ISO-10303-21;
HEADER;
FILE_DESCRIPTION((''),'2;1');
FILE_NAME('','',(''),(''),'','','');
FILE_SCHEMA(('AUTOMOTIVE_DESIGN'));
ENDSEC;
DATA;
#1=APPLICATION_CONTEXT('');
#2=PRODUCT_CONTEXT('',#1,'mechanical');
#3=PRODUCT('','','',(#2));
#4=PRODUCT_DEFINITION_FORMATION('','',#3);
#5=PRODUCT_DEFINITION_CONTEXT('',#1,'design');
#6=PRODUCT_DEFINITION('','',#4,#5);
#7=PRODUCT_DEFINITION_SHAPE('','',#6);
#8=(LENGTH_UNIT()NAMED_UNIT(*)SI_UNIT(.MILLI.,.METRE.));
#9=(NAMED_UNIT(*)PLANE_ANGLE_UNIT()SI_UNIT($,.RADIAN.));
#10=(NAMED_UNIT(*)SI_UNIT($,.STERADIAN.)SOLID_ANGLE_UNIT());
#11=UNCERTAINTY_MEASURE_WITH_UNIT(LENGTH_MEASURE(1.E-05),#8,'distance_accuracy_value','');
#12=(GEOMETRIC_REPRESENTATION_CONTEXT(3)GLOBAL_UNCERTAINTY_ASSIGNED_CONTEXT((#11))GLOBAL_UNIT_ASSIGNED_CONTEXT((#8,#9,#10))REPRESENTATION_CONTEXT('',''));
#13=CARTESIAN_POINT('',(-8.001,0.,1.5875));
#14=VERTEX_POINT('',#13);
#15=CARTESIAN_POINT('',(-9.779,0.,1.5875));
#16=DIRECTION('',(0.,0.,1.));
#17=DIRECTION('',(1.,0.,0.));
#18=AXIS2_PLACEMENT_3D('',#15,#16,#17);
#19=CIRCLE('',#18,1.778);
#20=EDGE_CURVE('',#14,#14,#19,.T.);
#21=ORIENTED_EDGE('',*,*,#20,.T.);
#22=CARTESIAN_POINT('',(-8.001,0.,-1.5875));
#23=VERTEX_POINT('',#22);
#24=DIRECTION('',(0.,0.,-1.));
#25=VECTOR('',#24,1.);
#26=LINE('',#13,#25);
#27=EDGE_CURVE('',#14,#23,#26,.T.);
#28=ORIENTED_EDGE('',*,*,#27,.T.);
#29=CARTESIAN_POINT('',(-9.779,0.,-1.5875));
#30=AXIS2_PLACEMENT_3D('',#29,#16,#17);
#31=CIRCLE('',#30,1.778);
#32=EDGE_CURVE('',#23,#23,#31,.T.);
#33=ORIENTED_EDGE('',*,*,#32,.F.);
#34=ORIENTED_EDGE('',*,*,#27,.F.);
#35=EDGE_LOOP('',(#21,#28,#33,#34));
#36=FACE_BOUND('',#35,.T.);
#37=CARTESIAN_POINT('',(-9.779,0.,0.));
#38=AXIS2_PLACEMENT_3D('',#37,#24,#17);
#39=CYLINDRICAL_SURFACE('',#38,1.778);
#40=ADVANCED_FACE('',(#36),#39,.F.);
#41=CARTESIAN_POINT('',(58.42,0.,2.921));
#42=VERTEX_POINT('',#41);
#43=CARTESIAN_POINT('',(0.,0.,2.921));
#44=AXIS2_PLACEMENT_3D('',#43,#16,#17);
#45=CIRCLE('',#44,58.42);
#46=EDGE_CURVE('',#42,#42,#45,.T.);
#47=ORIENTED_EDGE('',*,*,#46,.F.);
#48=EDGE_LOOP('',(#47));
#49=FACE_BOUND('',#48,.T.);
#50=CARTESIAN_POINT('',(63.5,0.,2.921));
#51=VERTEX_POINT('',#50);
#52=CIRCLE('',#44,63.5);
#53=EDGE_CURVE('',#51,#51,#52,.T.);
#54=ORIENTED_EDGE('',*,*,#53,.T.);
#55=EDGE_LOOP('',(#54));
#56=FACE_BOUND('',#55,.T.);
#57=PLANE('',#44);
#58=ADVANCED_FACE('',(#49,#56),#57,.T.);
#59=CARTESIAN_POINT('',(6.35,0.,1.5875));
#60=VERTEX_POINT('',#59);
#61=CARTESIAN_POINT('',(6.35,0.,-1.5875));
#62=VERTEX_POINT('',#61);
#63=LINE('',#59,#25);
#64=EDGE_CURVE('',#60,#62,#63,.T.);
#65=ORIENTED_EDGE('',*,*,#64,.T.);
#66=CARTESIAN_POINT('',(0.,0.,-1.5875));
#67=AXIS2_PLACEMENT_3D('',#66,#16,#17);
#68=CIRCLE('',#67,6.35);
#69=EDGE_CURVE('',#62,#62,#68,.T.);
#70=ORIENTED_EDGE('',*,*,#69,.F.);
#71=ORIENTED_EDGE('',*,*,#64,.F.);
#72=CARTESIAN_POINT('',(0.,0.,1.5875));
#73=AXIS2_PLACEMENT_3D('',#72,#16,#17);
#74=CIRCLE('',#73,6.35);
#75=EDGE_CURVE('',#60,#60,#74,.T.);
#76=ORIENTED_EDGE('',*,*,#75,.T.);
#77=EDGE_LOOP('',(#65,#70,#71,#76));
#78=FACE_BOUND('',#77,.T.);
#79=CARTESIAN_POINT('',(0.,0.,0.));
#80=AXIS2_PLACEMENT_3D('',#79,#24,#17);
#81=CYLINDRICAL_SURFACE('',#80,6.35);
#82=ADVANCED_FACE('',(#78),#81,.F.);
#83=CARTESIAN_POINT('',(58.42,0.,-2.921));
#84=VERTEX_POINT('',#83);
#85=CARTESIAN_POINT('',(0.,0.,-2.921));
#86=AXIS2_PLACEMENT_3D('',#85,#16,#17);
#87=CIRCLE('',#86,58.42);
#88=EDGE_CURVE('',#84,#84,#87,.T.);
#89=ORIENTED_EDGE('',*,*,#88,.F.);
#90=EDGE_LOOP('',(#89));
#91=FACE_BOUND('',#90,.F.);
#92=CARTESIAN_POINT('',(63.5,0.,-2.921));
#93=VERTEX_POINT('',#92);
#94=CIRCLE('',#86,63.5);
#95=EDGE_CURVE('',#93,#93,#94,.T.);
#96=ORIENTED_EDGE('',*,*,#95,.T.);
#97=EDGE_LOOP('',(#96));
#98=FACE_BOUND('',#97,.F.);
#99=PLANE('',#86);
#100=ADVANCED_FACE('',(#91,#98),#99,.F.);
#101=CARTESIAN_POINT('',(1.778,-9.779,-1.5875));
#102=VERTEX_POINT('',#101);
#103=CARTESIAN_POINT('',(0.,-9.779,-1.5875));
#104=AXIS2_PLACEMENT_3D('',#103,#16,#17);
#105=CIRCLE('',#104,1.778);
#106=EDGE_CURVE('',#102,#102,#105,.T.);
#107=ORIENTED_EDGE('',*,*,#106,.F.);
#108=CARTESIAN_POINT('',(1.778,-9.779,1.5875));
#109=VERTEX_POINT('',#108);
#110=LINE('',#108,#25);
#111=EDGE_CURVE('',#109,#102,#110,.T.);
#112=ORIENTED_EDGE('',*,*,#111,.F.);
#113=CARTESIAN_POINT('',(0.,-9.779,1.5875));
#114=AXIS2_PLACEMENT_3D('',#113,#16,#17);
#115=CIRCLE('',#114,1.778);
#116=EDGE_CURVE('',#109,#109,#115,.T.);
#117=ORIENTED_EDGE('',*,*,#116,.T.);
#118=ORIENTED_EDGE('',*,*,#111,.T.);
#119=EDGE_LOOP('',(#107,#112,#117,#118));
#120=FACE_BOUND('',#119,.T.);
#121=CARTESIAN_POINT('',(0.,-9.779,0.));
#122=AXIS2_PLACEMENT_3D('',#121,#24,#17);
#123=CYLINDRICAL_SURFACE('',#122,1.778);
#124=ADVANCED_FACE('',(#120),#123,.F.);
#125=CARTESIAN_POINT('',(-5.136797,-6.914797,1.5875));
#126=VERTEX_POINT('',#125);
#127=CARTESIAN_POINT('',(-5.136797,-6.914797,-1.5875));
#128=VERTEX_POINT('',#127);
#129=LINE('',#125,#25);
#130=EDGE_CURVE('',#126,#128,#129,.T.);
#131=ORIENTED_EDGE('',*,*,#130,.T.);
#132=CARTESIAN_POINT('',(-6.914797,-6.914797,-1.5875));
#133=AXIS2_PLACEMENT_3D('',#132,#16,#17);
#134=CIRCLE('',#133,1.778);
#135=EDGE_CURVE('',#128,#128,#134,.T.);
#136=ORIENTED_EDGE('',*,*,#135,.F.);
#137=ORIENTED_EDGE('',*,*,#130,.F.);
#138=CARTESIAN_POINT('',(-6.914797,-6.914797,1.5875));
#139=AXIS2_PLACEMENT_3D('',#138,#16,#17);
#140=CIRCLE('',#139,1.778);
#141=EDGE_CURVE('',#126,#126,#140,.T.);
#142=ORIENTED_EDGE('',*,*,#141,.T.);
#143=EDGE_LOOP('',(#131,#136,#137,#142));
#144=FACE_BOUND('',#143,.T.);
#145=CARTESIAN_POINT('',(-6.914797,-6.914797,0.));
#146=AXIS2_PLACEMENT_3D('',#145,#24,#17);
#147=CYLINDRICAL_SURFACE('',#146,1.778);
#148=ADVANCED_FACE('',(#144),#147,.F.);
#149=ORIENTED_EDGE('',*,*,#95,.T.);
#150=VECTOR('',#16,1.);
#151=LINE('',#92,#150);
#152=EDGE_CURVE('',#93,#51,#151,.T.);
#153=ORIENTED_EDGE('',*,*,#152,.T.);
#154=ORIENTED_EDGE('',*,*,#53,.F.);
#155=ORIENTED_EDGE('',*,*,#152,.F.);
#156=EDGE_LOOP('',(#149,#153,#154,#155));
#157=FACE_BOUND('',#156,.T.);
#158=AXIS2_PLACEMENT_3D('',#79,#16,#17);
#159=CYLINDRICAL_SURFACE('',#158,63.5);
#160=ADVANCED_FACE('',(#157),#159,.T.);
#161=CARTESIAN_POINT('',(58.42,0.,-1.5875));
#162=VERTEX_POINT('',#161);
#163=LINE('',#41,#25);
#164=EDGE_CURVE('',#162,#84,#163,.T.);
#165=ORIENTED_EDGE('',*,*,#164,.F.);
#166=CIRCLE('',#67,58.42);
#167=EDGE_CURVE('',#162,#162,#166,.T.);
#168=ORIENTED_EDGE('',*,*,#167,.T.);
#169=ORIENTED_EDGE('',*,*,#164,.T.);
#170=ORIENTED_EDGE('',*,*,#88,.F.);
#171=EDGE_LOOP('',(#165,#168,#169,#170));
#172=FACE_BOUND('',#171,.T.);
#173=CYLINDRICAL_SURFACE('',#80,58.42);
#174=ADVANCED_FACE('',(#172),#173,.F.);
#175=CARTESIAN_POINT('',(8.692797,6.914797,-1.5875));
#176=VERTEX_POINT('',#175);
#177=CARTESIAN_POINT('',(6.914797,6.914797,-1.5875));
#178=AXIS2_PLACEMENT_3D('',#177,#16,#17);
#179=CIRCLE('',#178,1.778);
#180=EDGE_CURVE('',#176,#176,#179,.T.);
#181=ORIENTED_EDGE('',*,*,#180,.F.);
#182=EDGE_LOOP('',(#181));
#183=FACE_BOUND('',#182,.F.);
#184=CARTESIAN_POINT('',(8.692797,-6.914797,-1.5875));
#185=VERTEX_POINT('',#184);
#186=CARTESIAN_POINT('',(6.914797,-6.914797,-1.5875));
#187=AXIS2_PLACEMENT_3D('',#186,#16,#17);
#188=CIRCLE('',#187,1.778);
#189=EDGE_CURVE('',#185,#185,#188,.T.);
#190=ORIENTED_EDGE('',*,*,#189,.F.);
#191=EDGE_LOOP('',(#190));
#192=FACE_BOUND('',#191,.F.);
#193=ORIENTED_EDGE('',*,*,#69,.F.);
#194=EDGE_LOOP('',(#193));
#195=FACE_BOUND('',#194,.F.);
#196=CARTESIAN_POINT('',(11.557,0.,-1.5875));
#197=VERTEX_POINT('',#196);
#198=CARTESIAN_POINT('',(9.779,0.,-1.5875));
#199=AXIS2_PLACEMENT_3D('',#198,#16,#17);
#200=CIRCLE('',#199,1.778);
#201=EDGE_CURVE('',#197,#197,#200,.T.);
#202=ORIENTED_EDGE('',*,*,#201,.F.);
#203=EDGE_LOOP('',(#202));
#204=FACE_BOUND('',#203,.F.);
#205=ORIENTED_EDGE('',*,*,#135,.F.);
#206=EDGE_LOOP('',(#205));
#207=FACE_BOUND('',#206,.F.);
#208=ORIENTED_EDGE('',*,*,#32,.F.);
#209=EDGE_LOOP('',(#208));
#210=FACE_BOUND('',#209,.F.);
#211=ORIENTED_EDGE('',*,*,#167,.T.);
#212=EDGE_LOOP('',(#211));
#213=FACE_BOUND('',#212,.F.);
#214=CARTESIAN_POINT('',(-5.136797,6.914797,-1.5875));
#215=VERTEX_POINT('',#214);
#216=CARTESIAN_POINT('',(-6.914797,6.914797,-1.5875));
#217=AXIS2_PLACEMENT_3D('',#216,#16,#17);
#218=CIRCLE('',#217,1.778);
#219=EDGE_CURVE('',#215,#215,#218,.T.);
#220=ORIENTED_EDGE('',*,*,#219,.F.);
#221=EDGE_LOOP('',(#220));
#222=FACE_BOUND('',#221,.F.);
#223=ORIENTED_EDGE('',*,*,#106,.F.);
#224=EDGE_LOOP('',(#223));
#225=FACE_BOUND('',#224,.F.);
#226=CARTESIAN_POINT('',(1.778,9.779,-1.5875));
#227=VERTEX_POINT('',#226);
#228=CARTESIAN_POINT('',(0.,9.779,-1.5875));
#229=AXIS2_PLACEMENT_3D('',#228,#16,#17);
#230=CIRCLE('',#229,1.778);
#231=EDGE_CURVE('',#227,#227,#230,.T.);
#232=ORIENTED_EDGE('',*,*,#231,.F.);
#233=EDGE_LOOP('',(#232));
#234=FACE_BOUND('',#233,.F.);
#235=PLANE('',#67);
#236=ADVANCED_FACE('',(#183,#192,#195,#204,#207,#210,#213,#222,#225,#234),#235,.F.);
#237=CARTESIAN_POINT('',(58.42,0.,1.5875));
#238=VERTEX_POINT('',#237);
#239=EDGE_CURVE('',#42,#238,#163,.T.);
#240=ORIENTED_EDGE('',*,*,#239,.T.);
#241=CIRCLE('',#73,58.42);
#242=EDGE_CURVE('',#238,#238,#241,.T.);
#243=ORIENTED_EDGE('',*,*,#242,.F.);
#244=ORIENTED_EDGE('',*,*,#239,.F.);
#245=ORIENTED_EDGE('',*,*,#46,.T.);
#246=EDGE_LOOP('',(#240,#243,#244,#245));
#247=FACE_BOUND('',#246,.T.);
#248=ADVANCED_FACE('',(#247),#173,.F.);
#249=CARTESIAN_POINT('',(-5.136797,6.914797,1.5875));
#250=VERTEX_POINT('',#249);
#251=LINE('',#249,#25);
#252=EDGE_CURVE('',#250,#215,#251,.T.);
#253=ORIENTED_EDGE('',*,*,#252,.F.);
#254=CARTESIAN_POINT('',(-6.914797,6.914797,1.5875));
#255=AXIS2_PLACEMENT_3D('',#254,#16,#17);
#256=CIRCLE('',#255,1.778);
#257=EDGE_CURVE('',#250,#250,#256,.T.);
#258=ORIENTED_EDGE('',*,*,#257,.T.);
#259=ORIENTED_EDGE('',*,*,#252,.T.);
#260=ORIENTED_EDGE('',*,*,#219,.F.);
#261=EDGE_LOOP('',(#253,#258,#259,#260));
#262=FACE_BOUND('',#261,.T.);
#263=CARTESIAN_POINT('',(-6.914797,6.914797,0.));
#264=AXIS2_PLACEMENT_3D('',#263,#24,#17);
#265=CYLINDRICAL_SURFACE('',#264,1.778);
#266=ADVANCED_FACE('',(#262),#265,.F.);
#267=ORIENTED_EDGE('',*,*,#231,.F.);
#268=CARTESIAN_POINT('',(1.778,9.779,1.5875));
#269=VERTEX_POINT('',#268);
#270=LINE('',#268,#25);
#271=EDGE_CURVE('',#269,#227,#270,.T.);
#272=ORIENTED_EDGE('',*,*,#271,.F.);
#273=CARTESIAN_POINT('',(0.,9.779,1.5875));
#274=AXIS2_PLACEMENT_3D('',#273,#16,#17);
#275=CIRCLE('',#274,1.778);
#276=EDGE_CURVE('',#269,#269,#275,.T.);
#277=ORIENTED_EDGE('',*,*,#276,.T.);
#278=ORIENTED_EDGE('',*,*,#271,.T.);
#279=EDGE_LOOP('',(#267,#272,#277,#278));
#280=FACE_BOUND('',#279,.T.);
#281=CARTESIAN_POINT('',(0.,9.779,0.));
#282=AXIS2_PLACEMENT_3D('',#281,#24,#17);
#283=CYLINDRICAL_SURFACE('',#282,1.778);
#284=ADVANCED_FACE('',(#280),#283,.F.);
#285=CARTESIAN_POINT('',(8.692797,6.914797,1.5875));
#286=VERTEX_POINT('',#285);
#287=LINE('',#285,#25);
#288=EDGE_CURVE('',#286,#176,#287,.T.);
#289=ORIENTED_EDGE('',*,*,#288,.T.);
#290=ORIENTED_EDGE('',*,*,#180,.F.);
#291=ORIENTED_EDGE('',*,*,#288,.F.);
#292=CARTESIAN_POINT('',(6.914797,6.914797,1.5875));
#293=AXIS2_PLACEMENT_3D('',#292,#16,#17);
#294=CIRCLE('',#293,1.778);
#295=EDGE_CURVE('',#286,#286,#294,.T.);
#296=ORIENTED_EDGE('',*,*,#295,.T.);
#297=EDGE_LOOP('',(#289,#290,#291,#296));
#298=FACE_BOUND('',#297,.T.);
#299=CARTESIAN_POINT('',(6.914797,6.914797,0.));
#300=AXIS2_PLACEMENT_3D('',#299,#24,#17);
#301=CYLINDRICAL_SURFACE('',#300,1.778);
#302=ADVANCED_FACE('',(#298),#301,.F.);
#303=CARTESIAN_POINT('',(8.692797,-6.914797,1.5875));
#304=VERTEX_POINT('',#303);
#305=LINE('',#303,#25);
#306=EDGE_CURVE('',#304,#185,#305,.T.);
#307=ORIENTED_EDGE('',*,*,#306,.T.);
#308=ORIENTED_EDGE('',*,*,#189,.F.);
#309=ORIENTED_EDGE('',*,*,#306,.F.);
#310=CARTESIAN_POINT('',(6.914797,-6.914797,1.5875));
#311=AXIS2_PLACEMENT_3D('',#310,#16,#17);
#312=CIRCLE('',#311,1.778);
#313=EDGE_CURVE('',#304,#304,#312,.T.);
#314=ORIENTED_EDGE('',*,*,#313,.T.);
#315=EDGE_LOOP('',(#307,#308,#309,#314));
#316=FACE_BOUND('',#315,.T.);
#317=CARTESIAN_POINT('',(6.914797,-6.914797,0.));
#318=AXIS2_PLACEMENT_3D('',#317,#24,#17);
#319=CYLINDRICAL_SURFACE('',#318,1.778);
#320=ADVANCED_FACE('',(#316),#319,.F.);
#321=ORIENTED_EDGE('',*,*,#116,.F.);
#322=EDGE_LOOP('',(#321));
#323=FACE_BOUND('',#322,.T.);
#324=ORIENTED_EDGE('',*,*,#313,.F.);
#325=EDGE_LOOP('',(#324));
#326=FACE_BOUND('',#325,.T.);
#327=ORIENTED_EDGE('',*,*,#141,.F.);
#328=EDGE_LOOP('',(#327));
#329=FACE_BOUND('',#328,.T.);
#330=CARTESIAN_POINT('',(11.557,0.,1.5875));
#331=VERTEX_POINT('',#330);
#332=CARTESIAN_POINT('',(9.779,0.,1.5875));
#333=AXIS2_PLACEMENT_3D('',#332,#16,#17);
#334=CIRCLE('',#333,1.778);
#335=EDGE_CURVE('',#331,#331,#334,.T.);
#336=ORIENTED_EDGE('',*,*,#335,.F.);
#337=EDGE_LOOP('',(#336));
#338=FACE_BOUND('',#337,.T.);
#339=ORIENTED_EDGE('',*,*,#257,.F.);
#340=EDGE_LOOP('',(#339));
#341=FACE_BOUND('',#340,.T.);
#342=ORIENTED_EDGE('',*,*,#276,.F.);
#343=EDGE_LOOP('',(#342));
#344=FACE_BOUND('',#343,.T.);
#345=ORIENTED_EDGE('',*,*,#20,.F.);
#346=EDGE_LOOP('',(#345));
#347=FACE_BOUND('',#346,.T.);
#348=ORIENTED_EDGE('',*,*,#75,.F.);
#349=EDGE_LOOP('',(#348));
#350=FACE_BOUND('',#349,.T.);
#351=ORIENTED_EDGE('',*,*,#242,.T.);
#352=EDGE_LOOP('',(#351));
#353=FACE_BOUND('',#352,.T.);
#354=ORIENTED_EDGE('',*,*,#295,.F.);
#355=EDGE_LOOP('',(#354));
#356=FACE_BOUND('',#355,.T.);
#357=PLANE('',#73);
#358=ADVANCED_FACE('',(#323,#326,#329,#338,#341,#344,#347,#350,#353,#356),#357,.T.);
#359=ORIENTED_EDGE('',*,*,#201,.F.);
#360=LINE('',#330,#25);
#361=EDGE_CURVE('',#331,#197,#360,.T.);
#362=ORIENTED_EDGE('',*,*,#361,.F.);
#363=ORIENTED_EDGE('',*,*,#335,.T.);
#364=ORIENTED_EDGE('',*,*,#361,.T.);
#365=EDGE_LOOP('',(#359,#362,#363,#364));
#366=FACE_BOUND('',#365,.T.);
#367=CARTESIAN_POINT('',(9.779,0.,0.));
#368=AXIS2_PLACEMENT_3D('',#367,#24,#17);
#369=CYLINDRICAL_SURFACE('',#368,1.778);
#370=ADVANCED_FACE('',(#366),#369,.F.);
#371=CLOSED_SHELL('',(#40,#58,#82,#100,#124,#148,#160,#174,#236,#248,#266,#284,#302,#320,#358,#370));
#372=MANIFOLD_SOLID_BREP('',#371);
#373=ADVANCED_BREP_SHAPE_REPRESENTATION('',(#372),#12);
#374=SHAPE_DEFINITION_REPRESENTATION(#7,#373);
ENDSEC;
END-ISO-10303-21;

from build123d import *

# Parameters (mm, degrees)
SKETCH1_R           = 63.5
SKETCH1_R_2         = 58.42
BOSS_EXTRUDE1_DEPTH = 2.921
SKETCH3_R           = 58.42
SKETCH3_R_2         = 6.35
SKETCH3_R_3         = 1.778
BOSS_EXTRUDE2_DEPTH = 1.5875


with BuildPart() as part:
    # Sketch1 → Boss-Extrude1 (new body, symmetric)
    with BuildSketch(Plane.XY):
        Circle(SKETCH1_R)
        Circle(SKETCH1_R_2, mode=Mode.SUBTRACT)
    extrude(amount=BOSS_EXTRUDE1_DEPTH, both=True)

    # Sketch3 → Boss-Extrude2 (add, symmetric)
    with BuildSketch(Plane.XY):
        Circle(SKETCH3_R)
        Circle(SKETCH3_R_2, mode=Mode.SUBTRACT)
        with Locations((0, 9.779)):
            Circle(SKETCH3_R_3, mode=Mode.SUBTRACT)
        with Locations((6.914797213, 6.914797213)):
            Circle(SKETCH3_R_3, mode=Mode.SUBTRACT)
        with Locations((9.779, 0)):
            Circle(SKETCH3_R_3, mode=Mode.SUBTRACT)
        with Locations((6.914797213, -6.914797213)):
            Circle(SKETCH3_R_3, mode=Mode.SUBTRACT)
        with Locations((0, -9.779)):
            Circle(SKETCH3_R_3, mode=Mode.SUBTRACT)
        with Locations((-6.914797213, -6.914797213)):
            Circle(SKETCH3_R_3, mode=Mode.SUBTRACT)
        with Locations((-9.779, 0)):
            Circle(SKETCH3_R_3, mode=Mode.SUBTRACT)
        with Locations((-6.914797213, 6.914797213)):
            Circle(SKETCH3_R_3, mode=Mode.SUBTRACT)
    extrude(amount=BOSS_EXTRUDE2_DEPTH, both=True)


solid = part.part
